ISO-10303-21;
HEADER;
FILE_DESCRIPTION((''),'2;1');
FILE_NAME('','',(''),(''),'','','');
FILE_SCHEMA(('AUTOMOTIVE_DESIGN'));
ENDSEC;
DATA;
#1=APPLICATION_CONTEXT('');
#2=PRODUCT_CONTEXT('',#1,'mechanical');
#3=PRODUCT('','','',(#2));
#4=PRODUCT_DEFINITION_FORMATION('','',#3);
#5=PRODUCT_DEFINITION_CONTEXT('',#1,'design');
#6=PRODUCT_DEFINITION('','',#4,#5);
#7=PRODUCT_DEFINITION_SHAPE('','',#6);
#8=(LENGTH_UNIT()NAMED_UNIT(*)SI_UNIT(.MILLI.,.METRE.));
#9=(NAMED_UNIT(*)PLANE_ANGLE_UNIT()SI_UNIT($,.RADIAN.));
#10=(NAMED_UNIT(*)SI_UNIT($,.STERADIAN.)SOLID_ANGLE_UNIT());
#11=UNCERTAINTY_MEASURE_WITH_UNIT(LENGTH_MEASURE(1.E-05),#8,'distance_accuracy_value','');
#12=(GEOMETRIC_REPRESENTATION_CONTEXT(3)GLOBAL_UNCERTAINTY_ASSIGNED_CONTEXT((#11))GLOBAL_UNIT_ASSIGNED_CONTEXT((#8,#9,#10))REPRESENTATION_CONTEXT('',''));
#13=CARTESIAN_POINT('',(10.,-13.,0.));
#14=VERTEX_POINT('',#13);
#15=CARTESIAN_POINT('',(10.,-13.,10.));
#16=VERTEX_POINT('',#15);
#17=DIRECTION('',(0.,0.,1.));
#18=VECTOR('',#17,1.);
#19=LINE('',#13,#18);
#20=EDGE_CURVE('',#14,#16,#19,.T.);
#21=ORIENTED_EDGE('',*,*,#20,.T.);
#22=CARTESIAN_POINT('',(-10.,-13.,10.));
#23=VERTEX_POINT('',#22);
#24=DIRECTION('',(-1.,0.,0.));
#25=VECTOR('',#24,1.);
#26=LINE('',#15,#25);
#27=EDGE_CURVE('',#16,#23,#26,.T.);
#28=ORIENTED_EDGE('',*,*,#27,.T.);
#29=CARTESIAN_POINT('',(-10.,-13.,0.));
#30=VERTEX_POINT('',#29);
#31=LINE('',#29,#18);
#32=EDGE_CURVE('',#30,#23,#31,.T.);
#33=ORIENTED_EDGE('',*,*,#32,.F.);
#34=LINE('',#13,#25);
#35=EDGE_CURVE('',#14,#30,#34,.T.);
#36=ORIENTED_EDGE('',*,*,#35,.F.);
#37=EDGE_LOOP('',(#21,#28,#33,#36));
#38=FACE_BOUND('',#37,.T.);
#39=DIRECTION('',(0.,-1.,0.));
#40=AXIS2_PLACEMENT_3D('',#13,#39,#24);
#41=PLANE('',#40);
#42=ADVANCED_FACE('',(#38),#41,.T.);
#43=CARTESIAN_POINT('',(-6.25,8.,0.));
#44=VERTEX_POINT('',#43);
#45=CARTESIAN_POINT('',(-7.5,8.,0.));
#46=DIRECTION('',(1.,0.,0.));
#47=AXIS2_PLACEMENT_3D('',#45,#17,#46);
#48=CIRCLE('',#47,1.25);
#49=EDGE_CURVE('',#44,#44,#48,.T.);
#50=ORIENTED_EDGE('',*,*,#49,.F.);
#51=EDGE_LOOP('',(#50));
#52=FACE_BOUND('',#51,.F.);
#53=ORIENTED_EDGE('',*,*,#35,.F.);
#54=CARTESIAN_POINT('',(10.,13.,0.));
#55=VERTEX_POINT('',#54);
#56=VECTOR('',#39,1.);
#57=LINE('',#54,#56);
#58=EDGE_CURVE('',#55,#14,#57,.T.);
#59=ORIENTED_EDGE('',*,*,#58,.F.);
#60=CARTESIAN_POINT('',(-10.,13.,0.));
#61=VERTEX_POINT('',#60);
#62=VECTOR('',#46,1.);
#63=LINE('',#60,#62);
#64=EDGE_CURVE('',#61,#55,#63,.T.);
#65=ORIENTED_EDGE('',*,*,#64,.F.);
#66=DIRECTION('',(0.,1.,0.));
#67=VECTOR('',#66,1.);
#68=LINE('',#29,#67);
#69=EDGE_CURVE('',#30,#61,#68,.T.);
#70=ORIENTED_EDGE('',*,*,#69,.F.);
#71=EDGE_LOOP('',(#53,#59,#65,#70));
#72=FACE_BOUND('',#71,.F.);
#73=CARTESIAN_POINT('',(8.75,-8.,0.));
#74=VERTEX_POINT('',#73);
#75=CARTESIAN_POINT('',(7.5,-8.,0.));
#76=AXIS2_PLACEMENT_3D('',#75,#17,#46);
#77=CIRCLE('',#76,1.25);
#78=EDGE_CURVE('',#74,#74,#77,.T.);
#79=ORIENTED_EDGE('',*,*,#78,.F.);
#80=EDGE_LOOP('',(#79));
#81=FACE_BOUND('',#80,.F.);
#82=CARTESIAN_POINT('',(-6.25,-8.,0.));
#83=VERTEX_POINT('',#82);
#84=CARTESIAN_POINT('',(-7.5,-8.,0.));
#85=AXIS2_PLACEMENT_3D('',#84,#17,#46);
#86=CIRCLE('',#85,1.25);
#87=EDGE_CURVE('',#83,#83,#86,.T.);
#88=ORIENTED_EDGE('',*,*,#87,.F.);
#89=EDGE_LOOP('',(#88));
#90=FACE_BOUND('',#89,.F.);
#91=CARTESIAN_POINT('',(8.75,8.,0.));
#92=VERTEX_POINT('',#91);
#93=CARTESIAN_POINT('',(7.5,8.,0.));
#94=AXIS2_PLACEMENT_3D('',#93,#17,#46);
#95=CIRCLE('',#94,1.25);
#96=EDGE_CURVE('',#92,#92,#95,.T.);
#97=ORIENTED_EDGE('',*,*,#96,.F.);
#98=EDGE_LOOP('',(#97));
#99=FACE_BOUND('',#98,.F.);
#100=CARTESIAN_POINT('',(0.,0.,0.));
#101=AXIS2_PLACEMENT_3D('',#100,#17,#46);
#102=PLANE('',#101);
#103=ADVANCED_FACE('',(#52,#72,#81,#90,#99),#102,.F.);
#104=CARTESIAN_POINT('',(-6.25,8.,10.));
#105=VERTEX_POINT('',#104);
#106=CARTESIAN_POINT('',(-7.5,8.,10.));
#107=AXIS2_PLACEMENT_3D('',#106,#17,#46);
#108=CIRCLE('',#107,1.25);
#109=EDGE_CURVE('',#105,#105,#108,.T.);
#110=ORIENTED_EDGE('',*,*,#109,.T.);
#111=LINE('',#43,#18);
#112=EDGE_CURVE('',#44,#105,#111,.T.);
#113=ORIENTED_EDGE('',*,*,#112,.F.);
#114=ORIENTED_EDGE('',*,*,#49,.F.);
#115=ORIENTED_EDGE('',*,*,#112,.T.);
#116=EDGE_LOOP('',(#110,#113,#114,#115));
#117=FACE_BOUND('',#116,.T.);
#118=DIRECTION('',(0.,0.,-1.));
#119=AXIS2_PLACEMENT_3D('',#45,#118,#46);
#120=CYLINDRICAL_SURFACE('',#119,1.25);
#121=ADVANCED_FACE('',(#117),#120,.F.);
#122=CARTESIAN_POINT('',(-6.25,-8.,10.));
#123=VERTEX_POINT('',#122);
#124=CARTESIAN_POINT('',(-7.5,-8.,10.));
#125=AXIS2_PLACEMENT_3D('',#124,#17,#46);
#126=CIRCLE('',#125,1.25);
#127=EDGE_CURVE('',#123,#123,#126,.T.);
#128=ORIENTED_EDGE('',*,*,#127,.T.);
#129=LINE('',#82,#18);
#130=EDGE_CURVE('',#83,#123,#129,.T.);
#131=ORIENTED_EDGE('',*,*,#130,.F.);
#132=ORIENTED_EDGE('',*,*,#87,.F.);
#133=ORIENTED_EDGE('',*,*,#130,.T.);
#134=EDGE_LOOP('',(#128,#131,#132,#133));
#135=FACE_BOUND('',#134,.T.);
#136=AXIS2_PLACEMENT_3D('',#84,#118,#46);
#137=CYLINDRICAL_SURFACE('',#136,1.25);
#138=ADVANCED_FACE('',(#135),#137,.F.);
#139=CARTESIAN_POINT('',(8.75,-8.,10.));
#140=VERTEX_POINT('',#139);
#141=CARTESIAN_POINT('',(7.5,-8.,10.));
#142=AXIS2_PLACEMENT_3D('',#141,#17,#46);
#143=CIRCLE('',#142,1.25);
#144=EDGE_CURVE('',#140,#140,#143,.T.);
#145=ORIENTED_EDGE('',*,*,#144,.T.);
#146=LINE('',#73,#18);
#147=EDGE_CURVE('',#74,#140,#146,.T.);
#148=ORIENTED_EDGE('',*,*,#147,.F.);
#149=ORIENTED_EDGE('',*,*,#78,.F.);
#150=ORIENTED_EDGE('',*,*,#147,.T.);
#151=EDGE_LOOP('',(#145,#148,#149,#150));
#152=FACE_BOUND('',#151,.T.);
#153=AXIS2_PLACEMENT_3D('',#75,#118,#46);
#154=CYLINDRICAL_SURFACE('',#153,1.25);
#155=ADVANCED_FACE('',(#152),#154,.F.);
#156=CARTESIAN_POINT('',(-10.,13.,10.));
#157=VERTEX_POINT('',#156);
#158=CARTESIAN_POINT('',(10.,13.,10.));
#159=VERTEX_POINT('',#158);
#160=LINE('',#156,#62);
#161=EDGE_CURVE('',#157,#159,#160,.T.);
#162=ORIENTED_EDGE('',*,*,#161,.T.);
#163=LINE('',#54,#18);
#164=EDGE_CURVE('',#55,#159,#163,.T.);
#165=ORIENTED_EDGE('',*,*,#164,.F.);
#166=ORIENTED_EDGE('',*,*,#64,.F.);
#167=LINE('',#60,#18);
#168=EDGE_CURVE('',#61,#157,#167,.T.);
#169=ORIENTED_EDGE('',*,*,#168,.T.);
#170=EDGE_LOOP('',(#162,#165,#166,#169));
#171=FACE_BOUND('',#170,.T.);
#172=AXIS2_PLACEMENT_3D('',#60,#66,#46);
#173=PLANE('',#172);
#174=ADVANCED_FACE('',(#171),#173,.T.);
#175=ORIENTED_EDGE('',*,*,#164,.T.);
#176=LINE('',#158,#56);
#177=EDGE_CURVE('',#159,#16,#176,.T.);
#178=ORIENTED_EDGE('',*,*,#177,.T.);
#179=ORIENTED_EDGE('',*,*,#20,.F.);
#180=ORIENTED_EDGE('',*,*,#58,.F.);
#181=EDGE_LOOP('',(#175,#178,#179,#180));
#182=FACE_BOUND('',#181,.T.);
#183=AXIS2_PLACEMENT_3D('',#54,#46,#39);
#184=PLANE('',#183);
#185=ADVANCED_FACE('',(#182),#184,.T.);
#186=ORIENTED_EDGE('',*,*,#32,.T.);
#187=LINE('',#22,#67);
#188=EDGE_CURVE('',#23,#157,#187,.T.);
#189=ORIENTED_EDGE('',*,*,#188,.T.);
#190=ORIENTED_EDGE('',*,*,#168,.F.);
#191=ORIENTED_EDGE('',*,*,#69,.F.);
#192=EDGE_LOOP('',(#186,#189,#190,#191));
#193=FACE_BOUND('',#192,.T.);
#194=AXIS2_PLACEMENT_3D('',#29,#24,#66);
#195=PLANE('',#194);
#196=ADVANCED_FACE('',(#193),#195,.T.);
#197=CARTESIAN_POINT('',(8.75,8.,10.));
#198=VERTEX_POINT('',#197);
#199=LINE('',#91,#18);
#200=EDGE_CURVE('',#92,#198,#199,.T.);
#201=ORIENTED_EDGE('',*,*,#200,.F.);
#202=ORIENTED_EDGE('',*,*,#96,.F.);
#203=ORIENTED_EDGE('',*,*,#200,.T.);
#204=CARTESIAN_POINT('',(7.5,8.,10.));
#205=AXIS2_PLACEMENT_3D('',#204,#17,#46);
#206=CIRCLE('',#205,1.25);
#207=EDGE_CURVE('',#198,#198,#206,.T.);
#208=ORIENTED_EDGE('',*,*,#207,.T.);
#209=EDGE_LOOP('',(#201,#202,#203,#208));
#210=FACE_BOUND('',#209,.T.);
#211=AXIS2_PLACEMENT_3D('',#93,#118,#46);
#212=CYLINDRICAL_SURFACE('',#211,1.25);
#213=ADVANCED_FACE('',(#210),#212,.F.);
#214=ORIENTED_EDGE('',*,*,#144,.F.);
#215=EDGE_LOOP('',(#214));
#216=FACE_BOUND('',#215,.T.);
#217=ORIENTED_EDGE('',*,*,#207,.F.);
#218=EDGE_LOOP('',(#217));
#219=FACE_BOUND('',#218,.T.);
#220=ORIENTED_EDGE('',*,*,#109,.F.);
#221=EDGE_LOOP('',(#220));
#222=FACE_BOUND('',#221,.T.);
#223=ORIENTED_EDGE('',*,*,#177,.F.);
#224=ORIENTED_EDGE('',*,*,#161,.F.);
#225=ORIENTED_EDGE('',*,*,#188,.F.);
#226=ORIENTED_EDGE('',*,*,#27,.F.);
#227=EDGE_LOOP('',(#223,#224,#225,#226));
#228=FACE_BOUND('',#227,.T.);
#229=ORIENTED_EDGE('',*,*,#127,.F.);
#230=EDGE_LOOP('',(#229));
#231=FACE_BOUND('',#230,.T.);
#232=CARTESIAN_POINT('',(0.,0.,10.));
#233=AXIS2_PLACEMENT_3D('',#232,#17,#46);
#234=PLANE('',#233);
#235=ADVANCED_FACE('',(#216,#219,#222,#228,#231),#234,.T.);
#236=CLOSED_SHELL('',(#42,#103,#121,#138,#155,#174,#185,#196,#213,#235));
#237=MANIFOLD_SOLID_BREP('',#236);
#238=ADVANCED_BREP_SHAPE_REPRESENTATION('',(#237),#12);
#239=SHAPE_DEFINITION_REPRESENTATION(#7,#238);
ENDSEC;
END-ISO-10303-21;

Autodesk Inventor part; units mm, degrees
ref_plane "YZ Plane" through (0, 0, 0) normal (1, 0, 0) x (0, 1, 0)
ref_plane "XZ Plane" through (0, 0, 0) normal (0, 1, 0) x (-1, 0, 0)
ref_plane "XY Plane" through (0, 0, 0) normal (0, 0, 1) x (1, 0, 0)
sketch "Boceto1" plane through (0, 0, 0) normal (0, 0, 1) x (1, 0, 0)
  line L0 (-10, 13) -> (10, 13)
  line L1 (10, 13) -> (10, -13)
  line L2 (10, -13) -> (-10, -13)
  line L3 (-10, -13) -> (-10, 13)
  circle A0 centre (7.5, 8) radius 1.25
  circle A1 centre (-7.5, 8) radius 1.25
  circle A2 centre (7.5, -8) radius 1.25
  circle A3 centre (-7.5, -8) radius 1.25
  line L4 (1.6972, 0) -> (0, 0)
  line L5 (0, 0) -> (0, 1.3941)
  dimension "d0" = 2.5
  dimension "d3" = 15
  dimension "d6" = 16
  dimension "d9" = 7.5
  dimension "d10" = 8
  dimension "d11" = 26
  dimension "d12" = 20
extrude "Extrusión1" add sketch "Boceto1" along normal blind 10
equation "\"d9\" = 0.5 * d3"
equation "\"d10\" = 0.5 * d6"
properties part number "Soporte Linear Rail X"
